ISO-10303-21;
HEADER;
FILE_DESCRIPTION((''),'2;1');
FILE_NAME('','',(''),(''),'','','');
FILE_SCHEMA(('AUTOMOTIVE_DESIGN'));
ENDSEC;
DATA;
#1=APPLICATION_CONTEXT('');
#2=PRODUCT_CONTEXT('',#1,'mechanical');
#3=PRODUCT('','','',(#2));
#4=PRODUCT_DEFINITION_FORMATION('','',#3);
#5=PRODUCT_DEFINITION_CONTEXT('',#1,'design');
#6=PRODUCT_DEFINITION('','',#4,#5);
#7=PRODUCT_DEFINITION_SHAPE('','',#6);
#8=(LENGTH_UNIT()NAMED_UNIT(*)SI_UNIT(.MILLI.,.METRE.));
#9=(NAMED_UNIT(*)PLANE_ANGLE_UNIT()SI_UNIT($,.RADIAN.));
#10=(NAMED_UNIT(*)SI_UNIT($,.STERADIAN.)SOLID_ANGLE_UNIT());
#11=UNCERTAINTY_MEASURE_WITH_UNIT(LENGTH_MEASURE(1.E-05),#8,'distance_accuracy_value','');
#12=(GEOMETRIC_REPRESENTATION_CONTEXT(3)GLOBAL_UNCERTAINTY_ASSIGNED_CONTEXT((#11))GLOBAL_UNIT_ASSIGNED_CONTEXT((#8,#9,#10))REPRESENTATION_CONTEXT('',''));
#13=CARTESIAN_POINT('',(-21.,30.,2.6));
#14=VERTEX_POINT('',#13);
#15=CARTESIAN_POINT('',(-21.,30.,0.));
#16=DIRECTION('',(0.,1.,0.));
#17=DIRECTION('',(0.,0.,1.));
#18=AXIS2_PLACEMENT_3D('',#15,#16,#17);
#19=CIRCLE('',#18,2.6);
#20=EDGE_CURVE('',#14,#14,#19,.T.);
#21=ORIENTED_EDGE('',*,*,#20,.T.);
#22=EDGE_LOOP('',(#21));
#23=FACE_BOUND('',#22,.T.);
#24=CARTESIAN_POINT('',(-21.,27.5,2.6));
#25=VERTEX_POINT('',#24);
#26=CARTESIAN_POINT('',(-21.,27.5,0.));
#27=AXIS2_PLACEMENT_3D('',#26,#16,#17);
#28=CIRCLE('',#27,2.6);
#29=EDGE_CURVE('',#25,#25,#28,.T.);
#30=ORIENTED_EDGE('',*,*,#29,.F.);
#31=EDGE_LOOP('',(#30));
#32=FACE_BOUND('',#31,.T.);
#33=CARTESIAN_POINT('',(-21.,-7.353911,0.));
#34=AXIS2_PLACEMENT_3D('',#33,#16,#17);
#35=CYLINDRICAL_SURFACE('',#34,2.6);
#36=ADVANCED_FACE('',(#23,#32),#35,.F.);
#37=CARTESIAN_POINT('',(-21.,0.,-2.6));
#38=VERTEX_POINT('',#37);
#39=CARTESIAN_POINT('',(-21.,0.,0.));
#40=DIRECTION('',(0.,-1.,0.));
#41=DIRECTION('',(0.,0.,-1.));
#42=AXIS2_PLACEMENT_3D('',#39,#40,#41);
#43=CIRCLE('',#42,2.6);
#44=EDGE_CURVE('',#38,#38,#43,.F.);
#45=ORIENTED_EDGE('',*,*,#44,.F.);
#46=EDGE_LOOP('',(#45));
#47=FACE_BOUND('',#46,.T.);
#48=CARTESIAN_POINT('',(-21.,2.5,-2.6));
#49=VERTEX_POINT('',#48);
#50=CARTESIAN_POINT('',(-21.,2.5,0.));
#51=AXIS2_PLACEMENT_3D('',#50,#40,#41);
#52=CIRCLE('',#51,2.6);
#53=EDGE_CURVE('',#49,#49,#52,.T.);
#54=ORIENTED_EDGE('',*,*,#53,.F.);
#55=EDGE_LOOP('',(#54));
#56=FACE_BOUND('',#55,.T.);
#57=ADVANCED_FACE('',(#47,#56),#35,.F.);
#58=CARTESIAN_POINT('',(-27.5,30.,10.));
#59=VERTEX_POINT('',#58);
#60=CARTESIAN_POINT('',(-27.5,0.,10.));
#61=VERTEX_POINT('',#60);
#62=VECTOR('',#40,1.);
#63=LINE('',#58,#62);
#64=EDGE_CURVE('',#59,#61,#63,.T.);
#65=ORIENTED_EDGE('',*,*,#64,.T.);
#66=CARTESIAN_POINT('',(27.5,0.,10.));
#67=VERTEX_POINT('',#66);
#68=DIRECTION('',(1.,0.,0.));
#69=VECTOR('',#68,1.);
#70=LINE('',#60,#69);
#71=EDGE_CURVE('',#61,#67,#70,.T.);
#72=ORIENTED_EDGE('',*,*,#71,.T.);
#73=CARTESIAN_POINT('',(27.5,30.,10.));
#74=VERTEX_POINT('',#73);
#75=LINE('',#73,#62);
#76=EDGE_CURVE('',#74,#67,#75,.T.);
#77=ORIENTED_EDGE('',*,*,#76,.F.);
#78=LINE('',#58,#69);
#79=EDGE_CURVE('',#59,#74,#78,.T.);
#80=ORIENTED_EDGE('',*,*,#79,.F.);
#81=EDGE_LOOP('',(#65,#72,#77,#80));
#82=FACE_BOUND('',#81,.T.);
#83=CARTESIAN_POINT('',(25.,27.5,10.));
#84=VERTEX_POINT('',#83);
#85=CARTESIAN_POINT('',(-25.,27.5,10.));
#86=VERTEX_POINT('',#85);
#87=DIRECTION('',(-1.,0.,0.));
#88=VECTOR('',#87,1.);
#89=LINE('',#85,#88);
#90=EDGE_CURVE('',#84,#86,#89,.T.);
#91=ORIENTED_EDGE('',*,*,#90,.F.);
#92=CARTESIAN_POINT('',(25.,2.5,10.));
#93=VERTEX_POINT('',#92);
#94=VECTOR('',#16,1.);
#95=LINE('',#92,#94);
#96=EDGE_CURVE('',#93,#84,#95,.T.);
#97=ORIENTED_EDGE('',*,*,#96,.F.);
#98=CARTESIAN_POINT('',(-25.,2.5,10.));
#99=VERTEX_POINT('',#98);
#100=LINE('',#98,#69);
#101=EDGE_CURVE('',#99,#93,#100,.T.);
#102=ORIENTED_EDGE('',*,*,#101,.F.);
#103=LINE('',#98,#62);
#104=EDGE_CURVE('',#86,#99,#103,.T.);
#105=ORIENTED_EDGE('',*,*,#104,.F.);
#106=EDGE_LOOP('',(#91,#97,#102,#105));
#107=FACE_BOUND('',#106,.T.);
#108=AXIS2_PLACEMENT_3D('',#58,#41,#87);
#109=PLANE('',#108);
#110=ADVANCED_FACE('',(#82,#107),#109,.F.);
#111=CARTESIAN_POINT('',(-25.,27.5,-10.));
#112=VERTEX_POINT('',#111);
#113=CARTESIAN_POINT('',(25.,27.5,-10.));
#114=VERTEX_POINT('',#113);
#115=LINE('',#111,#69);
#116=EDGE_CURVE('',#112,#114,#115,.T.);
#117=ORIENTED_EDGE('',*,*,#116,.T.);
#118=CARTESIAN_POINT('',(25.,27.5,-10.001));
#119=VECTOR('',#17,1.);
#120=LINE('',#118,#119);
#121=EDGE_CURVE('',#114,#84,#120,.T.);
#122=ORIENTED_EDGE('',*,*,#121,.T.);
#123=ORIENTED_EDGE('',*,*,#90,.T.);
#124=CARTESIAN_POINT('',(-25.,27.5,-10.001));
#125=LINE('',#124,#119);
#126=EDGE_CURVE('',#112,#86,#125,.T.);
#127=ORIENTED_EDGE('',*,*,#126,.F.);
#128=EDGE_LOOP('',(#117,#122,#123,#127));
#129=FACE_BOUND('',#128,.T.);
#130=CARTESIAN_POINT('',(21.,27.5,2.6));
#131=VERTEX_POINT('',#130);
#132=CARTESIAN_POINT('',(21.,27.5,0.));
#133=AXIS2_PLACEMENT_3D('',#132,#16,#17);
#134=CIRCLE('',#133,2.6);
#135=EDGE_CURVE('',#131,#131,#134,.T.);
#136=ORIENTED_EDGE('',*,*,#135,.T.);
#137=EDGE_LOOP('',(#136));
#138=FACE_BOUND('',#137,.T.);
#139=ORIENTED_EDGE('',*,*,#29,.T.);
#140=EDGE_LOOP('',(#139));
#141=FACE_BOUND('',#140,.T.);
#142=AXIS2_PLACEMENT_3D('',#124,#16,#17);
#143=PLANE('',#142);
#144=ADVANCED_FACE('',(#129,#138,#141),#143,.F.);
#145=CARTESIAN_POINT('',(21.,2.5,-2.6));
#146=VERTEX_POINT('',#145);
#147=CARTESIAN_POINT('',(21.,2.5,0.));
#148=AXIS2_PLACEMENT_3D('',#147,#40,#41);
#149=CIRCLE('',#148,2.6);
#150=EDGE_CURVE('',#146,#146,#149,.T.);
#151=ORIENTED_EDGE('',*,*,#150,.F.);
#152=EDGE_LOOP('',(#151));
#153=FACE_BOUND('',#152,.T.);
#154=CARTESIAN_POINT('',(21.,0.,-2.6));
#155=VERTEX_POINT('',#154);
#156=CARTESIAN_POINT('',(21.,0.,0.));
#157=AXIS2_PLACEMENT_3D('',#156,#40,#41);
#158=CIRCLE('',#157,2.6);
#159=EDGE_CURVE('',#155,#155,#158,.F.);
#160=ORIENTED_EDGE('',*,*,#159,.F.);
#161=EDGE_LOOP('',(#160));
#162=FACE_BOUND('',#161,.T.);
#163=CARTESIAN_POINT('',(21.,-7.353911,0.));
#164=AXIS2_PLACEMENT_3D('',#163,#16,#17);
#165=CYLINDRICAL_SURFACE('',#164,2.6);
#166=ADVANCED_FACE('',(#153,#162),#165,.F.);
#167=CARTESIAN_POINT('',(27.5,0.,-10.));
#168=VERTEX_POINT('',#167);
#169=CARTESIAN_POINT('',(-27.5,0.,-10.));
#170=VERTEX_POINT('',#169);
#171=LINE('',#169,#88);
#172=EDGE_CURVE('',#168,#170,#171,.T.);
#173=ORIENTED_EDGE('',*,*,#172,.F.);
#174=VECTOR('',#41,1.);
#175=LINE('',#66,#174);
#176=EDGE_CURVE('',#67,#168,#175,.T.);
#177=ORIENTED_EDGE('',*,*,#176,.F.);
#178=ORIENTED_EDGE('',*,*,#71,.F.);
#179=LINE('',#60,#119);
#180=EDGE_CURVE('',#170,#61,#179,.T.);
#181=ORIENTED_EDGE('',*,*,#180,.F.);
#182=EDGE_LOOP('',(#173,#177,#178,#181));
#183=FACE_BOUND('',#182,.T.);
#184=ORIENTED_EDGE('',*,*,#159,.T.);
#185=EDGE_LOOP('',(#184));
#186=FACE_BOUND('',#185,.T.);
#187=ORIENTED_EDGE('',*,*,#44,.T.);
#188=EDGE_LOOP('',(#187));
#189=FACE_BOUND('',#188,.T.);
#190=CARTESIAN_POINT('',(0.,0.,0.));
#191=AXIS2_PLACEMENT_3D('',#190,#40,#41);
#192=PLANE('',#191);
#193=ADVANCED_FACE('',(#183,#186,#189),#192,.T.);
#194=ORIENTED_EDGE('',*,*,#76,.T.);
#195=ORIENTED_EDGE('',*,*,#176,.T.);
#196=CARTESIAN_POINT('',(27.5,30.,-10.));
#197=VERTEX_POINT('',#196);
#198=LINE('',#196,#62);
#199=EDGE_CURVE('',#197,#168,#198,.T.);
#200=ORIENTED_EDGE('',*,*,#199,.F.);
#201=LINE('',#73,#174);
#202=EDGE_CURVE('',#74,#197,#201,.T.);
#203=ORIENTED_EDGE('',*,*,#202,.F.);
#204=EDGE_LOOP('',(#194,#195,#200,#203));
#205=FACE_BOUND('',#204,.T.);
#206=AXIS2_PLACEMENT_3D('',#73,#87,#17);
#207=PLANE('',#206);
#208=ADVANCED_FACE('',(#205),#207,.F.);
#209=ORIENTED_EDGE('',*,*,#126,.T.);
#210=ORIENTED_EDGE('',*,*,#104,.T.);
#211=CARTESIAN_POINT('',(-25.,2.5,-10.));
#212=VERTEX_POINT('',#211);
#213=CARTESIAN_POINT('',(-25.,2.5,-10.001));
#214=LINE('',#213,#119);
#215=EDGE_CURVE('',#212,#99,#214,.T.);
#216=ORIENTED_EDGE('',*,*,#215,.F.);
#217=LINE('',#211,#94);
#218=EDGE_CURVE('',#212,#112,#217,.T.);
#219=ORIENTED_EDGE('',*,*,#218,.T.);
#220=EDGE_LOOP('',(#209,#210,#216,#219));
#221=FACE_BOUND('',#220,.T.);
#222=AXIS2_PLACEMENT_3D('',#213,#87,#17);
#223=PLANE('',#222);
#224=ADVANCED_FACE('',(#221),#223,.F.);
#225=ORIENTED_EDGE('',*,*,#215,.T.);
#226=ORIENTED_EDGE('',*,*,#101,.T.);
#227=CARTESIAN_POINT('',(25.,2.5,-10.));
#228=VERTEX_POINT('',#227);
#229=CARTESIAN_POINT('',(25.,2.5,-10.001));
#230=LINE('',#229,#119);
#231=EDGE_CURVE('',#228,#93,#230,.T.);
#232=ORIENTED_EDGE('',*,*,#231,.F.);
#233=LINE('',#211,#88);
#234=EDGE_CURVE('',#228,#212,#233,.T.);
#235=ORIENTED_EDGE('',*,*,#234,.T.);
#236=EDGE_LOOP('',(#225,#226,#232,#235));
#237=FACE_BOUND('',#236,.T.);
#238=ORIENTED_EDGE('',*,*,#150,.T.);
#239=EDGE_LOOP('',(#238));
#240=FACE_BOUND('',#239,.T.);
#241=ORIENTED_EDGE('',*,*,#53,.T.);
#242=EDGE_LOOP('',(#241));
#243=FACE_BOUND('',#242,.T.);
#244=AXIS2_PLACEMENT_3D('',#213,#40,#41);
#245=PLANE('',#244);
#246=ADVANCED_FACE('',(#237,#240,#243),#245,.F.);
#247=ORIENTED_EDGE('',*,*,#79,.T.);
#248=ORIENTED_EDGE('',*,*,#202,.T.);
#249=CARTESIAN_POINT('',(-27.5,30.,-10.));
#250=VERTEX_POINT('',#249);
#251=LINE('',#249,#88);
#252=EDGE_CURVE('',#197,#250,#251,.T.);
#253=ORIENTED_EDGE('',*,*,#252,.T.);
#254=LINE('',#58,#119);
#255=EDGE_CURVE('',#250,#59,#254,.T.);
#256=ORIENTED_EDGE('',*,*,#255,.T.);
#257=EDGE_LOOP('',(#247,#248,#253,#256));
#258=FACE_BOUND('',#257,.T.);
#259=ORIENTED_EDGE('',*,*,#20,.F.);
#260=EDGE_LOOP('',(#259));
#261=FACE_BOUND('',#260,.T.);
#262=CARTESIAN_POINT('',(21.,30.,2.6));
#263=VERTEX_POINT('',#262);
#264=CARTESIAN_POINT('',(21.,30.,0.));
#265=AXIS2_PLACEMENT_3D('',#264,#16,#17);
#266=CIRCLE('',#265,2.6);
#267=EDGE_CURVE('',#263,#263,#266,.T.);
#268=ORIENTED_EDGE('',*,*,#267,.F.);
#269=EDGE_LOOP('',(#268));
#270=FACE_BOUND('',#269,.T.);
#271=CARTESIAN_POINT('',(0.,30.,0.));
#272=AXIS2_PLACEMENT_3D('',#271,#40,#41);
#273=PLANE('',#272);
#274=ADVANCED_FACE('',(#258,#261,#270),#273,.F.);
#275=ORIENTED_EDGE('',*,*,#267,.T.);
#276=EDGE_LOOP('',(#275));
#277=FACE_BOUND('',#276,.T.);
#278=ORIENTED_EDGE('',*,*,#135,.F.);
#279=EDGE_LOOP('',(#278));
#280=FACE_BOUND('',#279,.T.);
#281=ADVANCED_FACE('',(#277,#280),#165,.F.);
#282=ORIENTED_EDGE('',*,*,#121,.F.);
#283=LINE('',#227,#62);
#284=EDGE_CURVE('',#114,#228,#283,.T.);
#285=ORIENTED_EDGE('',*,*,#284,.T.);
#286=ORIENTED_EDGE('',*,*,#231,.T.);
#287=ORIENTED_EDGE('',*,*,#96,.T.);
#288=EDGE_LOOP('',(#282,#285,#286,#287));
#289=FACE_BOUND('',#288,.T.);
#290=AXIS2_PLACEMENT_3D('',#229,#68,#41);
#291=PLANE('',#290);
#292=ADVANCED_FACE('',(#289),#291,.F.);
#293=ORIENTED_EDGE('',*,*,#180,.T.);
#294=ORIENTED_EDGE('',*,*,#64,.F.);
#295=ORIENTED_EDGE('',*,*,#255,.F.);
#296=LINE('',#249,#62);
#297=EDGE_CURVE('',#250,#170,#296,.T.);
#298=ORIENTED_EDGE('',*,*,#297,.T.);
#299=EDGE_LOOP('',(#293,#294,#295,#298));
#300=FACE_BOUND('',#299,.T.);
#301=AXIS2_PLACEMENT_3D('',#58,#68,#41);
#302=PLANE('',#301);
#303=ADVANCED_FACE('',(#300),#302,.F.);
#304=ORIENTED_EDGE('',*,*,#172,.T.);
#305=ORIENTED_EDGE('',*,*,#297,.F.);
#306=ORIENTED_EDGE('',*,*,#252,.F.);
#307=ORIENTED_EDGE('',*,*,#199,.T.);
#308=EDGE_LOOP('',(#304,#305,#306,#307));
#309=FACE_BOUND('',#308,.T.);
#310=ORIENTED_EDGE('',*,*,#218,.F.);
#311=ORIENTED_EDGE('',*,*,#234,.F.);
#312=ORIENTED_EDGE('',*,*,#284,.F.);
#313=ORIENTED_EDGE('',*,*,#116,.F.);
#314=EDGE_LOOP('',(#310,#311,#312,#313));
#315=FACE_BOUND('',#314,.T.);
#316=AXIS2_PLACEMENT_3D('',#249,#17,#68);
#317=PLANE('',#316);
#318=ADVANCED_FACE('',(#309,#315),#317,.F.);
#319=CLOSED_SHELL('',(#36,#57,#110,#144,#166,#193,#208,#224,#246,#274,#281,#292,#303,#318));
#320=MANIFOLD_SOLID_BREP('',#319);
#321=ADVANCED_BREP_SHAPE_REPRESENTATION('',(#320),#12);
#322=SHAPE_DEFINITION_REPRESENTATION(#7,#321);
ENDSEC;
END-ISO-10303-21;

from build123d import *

# Parameters (mm, degrees)
SKETCH_1_W          = 55
SKETCH_1_H          = 20
EXTRUDE_1_DEPTH     = 30
CUT_EXTRUDE_1_REACH = 47.346
SKETCH_2_W          = 50
SKETCH_2_H          = 25
CUT_EXTRUDE_2_REACH = 43.908
SKETCH_3_R          = 2.6


with BuildPart() as part:
    # 草图1 → 凸台-拉伸1 (new body)
    with BuildSketch(Plane(origin=(0, 0, 0), x_dir=(1, 0, 0), z_dir=(0, 1, 0))):
        Rectangle(SKETCH_1_W, SKETCH_1_H)
    extrude(amount=EXTRUDE_1_DEPTH)

    # 草图2 → 切除-拉伸1 (cut, up to next)
    with BuildSketch(Plane.XY.offset(10), mode=Mode.PRIVATE) as cut_extrude_1_sk1:
        with Locations((0, 15)):
            Rectangle(SKETCH_2_W, SKETCH_2_H)
    cut_extrude_1_tool1 = extrude(cut_extrude_1_sk1.sketch, amount=-CUT_EXTRUDE_1_REACH, mode=Mode.PRIVATE) & part.part
    add(cut_extrude_1_tool1.solids().sort_by_distance((0, 15, 10))[0], mode=Mode.SUBTRACT)

    # 切除-拉伸2: up to this face of the body (flat: up to its plane)
    cut_extrude_2_end = Plane(part.part.faces().sort_by_distance((0, 0, 0))[0])
    # 草图3 → 切除-拉伸2 (cut, up to the picked face)
    with BuildSketch(Plane(origin=(0, 30, 0), x_dir=(1, 0, 0), z_dir=(0, 1, 0)), mode=Mode.PRIVATE) as cut_extrude_2_sk1:
        with Locations(Location((-21, 0, 0), (0, 0, 270))):
            Circle(SKETCH_3_R)
    cut_extrude_2_tool1 = split(extrude(cut_extrude_2_sk1.sketch, amount=-CUT_EXTRUDE_2_REACH, mode=Mode.PRIVATE), bisect_by=cut_extrude_2_end, keep=Keep.BOTH, mode=Mode.PRIVATE)
    # 草图3 → 切除-拉伸2 (cut, up to the picked face)
    with BuildSketch(Plane(origin=(0, 30, 0), x_dir=(1, 0, 0), z_dir=(0, 1, 0)), mode=Mode.PRIVATE) as cut_extrude_2_sk2:
        with Locations(Location((21, 0, 0), (0, 0, 270))):
            Circle(SKETCH_3_R)
    cut_extrude_2_tool2 = split(extrude(cut_extrude_2_sk2.sketch, amount=-CUT_EXTRUDE_2_REACH, mode=Mode.PRIVATE), bisect_by=cut_extrude_2_end, keep=Keep.BOTH, mode=Mode.PRIVATE)
    add(cut_extrude_2_tool1.solids().sort_by(Axis((-21, 30, 0), (0, -1, 0)))[0], mode=Mode.SUBTRACT)
    add(cut_extrude_2_tool2.solids().sort_by(Axis((21, 30, 0), (0, -1, 0)))[0], mode=Mode.SUBTRACT)


solid = part.part
